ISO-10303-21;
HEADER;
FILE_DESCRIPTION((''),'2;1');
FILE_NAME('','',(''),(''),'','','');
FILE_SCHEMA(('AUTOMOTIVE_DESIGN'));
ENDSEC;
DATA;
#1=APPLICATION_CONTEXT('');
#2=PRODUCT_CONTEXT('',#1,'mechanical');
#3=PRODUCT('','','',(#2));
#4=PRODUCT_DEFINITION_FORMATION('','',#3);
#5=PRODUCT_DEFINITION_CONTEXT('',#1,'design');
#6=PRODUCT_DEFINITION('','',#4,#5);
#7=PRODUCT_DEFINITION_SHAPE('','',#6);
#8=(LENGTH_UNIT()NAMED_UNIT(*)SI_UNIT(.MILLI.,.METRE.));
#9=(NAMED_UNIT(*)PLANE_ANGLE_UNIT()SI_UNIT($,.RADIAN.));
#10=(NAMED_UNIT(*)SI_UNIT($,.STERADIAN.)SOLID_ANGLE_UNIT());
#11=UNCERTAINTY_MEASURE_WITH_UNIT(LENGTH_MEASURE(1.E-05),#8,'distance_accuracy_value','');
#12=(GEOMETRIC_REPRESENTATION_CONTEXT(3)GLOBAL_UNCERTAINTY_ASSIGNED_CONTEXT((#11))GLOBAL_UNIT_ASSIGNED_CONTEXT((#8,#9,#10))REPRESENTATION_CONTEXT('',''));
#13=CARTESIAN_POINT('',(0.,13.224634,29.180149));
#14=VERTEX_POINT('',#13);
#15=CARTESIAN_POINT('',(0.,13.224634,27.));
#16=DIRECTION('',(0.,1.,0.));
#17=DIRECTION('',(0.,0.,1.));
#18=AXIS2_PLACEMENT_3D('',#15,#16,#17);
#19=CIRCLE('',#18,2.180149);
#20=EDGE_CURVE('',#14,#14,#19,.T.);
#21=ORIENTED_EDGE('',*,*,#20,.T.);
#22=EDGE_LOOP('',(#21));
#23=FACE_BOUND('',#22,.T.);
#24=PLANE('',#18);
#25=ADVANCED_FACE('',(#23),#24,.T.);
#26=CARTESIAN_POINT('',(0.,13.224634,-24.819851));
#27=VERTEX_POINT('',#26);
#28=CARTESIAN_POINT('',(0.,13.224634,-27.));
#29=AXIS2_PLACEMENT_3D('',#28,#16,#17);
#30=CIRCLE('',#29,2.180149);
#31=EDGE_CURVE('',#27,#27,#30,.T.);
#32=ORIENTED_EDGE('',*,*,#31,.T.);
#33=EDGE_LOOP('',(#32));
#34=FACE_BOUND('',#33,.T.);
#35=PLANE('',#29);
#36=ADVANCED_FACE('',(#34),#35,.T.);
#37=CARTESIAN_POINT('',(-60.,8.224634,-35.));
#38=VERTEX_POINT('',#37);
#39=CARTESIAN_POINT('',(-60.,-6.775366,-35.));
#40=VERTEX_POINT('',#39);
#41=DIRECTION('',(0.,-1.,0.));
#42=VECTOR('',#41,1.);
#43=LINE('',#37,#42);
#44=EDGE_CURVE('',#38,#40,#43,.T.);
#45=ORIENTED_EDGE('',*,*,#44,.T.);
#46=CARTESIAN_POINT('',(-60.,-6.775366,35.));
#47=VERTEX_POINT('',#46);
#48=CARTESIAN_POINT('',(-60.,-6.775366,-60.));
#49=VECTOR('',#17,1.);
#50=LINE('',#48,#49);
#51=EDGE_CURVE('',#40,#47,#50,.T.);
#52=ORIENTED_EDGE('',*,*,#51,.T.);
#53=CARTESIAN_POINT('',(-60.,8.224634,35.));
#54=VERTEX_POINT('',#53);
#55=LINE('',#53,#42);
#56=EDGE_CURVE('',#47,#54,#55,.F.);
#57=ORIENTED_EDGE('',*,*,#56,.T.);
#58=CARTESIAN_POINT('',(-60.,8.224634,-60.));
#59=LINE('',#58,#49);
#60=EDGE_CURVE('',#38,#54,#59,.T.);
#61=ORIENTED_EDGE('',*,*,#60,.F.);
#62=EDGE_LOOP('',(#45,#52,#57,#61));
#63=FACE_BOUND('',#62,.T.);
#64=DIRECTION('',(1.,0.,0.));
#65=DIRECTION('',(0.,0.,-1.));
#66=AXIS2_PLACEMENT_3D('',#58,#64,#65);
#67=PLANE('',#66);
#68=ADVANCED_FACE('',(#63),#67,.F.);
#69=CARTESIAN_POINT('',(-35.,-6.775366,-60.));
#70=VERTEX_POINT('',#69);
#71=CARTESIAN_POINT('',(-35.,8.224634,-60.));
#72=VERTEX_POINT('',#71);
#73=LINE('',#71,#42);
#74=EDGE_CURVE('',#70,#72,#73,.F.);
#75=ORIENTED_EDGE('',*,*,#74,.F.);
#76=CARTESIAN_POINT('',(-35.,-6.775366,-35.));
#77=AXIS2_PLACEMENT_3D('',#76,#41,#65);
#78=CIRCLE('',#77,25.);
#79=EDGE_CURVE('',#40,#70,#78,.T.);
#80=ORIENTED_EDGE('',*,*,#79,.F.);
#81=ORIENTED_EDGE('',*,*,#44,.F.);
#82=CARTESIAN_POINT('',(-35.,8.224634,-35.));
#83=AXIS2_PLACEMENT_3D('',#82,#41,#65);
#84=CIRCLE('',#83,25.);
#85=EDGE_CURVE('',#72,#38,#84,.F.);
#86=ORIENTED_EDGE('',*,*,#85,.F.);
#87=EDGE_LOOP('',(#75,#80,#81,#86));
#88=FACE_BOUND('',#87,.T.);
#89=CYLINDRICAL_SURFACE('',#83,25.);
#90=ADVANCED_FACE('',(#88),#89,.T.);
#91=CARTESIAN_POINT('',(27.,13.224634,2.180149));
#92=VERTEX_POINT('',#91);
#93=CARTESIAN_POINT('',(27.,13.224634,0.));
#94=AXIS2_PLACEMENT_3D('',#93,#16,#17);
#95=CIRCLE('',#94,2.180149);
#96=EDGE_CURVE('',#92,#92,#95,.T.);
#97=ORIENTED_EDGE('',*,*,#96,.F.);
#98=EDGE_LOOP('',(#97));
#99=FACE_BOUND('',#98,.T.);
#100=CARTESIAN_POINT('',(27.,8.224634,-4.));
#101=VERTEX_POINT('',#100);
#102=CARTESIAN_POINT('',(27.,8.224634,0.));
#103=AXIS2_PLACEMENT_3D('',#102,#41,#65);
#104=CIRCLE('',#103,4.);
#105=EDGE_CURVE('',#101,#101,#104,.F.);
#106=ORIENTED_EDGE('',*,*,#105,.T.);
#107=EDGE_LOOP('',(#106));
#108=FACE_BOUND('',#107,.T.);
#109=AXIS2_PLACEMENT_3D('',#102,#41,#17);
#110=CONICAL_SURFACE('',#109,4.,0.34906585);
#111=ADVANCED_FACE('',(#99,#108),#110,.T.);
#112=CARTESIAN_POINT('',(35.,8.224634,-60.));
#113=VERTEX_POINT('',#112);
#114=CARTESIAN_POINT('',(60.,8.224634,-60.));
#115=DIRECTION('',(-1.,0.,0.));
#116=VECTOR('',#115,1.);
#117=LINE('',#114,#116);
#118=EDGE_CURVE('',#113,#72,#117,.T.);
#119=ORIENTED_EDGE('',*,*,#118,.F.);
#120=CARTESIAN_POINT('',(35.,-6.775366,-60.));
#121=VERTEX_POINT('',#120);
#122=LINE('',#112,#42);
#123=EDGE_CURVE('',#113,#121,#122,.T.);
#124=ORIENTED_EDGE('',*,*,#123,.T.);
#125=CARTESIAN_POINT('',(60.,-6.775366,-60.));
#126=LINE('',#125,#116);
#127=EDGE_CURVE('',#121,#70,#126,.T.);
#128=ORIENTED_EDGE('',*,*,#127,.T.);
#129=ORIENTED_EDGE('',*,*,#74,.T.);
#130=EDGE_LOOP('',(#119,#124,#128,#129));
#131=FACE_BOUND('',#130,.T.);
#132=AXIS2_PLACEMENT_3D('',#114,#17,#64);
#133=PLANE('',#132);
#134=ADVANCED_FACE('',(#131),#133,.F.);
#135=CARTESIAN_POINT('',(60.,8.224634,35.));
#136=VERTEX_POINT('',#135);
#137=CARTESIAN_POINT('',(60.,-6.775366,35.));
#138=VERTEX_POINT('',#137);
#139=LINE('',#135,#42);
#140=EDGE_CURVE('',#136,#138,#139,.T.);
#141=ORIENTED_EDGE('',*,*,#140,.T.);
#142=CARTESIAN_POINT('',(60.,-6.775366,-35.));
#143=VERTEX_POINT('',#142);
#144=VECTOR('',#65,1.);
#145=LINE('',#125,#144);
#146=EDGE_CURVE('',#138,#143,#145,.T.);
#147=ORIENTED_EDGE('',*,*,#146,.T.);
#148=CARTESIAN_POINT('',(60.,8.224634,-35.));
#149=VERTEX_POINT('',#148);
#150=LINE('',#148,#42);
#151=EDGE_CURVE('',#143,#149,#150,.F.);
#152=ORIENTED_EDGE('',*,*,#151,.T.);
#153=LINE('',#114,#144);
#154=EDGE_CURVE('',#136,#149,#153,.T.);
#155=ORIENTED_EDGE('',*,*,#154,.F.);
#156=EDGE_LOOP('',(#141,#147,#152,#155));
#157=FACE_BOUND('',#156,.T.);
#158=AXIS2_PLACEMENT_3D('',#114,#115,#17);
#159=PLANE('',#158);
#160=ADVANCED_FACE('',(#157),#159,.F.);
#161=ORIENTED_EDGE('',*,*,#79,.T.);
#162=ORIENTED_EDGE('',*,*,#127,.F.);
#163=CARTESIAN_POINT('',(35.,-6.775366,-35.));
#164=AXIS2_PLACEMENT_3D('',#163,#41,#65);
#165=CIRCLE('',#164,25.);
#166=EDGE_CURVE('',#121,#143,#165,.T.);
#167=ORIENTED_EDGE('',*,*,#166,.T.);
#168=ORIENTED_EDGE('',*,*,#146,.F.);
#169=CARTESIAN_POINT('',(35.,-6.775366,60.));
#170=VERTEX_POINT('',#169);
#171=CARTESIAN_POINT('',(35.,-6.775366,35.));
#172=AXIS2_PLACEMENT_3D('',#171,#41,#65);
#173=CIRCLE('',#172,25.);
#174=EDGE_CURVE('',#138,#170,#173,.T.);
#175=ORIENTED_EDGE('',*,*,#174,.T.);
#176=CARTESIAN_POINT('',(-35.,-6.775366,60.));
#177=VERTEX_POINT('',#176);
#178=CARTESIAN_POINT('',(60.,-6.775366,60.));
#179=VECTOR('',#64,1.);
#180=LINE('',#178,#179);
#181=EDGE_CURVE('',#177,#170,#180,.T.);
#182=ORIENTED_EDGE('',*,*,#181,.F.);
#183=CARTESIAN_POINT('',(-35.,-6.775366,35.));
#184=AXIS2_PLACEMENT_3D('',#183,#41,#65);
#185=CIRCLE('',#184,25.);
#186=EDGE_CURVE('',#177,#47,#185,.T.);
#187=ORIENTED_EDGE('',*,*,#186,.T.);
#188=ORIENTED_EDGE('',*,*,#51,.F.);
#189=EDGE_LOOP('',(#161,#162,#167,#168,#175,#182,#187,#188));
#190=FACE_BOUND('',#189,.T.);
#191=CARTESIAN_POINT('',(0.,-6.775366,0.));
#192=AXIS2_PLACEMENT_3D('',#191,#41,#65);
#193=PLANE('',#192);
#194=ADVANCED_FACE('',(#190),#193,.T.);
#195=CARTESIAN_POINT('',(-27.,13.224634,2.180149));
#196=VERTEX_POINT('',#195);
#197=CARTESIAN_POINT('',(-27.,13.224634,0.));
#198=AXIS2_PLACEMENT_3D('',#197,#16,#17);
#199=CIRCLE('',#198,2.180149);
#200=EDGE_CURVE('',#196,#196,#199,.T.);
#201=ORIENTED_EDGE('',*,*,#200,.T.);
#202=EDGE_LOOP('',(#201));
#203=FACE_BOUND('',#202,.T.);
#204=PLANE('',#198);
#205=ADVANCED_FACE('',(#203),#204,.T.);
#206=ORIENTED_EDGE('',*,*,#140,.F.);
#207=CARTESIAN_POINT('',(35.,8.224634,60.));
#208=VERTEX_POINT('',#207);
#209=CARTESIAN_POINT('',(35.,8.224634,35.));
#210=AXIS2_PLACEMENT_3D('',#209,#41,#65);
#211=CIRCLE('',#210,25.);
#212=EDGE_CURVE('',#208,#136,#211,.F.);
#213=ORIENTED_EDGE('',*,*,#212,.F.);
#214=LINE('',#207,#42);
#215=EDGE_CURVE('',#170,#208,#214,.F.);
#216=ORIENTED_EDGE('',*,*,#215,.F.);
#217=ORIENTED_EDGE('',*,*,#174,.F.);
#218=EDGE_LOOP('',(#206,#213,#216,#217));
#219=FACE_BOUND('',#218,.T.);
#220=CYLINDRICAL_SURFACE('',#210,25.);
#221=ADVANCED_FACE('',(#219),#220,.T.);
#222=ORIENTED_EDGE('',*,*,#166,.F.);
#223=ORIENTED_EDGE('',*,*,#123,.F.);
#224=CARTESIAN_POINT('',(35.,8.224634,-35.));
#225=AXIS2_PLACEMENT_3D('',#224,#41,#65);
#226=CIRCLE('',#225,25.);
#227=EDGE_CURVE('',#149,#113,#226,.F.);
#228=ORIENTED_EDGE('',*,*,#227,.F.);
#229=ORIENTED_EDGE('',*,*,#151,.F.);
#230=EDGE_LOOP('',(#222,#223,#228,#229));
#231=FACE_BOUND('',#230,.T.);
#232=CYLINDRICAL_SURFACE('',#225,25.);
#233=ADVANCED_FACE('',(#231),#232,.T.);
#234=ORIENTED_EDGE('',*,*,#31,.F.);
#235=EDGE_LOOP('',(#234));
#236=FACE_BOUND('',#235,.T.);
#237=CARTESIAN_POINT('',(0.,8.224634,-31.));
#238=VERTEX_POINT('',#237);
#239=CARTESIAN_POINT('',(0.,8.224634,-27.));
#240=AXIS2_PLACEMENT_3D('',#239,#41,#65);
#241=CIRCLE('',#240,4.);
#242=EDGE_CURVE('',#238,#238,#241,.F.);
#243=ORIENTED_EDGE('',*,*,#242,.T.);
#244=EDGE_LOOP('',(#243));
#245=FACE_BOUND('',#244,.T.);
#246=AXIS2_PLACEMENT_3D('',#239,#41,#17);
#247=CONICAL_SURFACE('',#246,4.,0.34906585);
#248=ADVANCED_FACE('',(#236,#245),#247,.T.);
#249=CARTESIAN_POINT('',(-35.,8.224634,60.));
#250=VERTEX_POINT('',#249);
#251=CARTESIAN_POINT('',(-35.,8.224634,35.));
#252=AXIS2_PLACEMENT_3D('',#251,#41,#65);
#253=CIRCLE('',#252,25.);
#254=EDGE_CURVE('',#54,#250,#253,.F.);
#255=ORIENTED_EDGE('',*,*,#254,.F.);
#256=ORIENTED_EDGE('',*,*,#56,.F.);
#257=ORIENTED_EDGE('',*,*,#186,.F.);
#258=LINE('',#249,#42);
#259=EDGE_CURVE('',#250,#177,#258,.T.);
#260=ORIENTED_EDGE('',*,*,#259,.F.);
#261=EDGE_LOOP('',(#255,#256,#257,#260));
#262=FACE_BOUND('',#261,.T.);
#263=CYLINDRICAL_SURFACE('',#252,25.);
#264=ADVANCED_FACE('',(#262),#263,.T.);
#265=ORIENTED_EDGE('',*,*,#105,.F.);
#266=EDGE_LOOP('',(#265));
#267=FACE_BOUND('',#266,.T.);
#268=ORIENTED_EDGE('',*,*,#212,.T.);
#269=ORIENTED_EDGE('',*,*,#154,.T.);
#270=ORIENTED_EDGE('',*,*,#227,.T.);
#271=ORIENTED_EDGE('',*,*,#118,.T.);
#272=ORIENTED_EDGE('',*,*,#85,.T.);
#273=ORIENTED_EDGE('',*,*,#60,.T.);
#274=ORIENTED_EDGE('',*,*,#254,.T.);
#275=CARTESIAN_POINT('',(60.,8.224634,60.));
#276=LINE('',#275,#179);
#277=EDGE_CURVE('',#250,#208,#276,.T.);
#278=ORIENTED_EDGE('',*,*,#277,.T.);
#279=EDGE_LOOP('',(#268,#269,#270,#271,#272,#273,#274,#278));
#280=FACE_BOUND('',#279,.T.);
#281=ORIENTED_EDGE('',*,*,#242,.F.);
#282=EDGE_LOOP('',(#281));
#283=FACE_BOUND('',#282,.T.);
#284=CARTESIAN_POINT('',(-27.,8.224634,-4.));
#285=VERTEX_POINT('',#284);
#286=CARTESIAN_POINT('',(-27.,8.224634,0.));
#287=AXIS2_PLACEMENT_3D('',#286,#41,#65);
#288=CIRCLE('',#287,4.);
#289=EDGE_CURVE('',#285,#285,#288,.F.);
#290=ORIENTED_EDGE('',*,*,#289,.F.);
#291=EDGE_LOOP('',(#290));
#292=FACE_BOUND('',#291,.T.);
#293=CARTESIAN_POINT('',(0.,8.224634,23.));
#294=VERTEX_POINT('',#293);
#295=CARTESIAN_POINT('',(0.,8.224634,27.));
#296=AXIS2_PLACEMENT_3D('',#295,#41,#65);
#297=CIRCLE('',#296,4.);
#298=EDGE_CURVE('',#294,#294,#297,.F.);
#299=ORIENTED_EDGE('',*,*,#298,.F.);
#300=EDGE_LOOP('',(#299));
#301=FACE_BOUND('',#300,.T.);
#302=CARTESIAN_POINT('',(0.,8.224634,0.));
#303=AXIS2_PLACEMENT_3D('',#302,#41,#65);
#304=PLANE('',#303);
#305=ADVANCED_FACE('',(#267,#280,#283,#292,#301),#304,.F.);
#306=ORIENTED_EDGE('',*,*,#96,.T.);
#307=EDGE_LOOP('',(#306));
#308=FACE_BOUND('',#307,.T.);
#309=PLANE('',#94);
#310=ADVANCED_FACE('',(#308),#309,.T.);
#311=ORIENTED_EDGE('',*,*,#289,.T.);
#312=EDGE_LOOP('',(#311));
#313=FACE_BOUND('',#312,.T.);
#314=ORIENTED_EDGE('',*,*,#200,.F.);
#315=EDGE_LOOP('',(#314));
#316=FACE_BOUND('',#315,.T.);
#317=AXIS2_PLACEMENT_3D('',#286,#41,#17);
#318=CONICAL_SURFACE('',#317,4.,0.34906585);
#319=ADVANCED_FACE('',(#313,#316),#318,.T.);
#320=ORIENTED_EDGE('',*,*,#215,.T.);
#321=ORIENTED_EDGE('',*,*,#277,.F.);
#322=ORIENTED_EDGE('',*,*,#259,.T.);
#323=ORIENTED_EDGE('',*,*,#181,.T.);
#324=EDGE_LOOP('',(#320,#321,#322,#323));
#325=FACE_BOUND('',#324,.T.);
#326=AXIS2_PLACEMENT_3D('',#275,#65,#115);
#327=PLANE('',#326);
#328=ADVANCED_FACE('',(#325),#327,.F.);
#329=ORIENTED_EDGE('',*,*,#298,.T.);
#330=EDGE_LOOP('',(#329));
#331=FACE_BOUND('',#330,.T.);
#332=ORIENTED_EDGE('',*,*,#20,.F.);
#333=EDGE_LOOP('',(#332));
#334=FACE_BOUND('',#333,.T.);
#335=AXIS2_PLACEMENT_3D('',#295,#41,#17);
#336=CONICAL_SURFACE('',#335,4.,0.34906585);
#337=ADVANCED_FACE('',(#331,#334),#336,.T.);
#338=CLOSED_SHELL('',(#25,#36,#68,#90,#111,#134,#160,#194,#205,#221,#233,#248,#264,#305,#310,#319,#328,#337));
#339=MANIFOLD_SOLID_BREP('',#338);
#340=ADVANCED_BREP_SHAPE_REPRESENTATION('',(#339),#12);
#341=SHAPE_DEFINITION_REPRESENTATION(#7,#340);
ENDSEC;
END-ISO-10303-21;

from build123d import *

# Parameters (mm, degrees)
CROQUIS2_W                        = 12
CROQUIS2_H                        = 12
PLATAFORMA_DEPTH                  = 1.5
REDONDEO3_R                       = 2.5
CROQUIS16_R                       = 0.4
SALIENTE_EXTRUIR7_DEPTH           = 0.5
SALIENTE_EXTRUIR7_DRAFT           = 20
SALIENTE_EXTRUIR7_PROFILE_2_DEPTH = 0.5
SALIENTE_EXTRUIR7_PROFILE_2_DRAFT = 20
SALIENTE_EXTRUIR7_PROFILE_3_DEPTH = 0.5
SALIENTE_EXTRUIR7_PROFILE_3_DRAFT = 20
SALIENTE_EXTRUIR7_PROFILE_4_DEPTH = 0.5
SALIENTE_EXTRUIR7_PROFILE_4_DRAFT = 20
ESCALA1_SCALE                     = 10


with BuildPart() as part:
    # Croquis2 → Plataforma (new body)
    with BuildSketch(Plane(origin=(0, 0, 0), x_dir=(1, 0, 0), z_dir=(0, 1, 0))):
        Rectangle(CROQUIS2_W, CROQUIS2_H)
    extrude(amount=PLATAFORMA_DEPTH)

    # Redondeo3
    redondeo3_edges = [part.edges().sort_by_distance(p)[0] for p in [
        (-6, 0.75, -6),
        (6, 0.75, -6),
        (6, 0.75, 6),
        (-6, 0.75, 6),
    ]]
    fillet(redondeo3_edges, radius=REDONDEO3_R)


with BuildPart() as saliente_extruir7_tool:
    # Croquis16 → Saliente-Extruir7 (with draft: the straight prism first)
    with BuildSketch(Plane(origin=(0, 1.5, 0), x_dir=(1, 0, 0), z_dir=(0, 1, 0))):
        with Locations((-2.7, 0)):
            Circle(CROQUIS16_R)
    extrude(amount=SALIENTE_EXTRUIR7_DEPTH)
    # Saliente-Extruir7: the draft: its side faces are tilted about the plane it starts from
    saliente_extruir7_sides = [saliente_extruir7_tool.faces().sort_by_distance(p)[0] for p in [
        (-3.1, 1.75, 0),
    ]]
    draft(saliente_extruir7_sides, Plane(origin=(0, 1.5, 0), x_dir=(1, 0, 0), z_dir=(0, 1, 0)), SALIENTE_EXTRUIR7_DRAFT)


with BuildPart() as part_1:
    add(part.part)

    # Saliente-Extruir7: add saliente_extruir7_tool
    add(saliente_extruir7_tool.part)


with BuildPart() as saliente_extruir7_profile_2_tool:
    # Croquis16 → Saliente-Extruir7 profile 2 (with draft: the straight prism first)
    with BuildSketch(Plane(origin=(0, 1.5, 0), x_dir=(1, 0, 0), z_dir=(0, 1, 0))):
        with Locations((0, -2.7)):
            Circle(CROQUIS16_R)
    extrude(amount=SALIENTE_EXTRUIR7_PROFILE_2_DEPTH)
    # Saliente-Extruir7 profile 2: the draft: its side faces are tilted about the plane it starts from
    saliente_extruir7_profile_2_sides = [saliente_extruir7_profile_2_tool.faces().sort_by_distance(p)[0] for p in [
        (-0.4, 1.75, 2.7),
    ]]
    draft(saliente_extruir7_profile_2_sides, Plane(origin=(0, 1.5, 0), x_dir=(1, 0, 0), z_dir=(0, 1, 0)), SALIENTE_EXTRUIR7_PROFILE_2_DRAFT)


with BuildPart() as part_2:
    add(part_1.part)

    # Saliente-Extruir7 profile 2: add saliente_extruir7_profile_2_tool
    add(saliente_extruir7_profile_2_tool.part)


with BuildPart() as saliente_extruir7_profile_3_tool:
    # Croquis16 → Saliente-Extruir7 profile 3 (with draft: the straight prism first)
    with BuildSketch(Plane(origin=(0, 1.5, 0), x_dir=(1, 0, 0), z_dir=(0, 1, 0))):
        with Locations((2.7, 0)):
            Circle(CROQUIS16_R)
    extrude(amount=SALIENTE_EXTRUIR7_PROFILE_3_DEPTH)
    # Saliente-Extruir7 profile 3: the draft: its side faces are tilted about the plane it starts from
    saliente_extruir7_profile_3_sides = [saliente_extruir7_profile_3_tool.faces().sort_by_distance(p)[0] for p in [
        (2.3, 1.75, 0),
    ]]
    draft(saliente_extruir7_profile_3_sides, Plane(origin=(0, 1.5, 0), x_dir=(1, 0, 0), z_dir=(0, 1, 0)), SALIENTE_EXTRUIR7_PROFILE_3_DRAFT)


with BuildPart() as part_3:
    add(part_2.part)

    # Saliente-Extruir7 profile 3: add saliente_extruir7_profile_3_tool
    add(saliente_extruir7_profile_3_tool.part)


with BuildPart() as saliente_extruir7_profile_4_tool:
    # Croquis16 → Saliente-Extruir7 profile 4 (with draft: the straight prism first)
    with BuildSketch(Plane(origin=(0, 1.5, 0), x_dir=(1, 0, 0), z_dir=(0, 1, 0))):
        with Locations((0, 2.7)):
            Circle(CROQUIS16_R)
    extrude(amount=SALIENTE_EXTRUIR7_PROFILE_4_DEPTH)
    # Saliente-Extruir7 profile 4: the draft: its side faces are tilted about the plane it starts from
    saliente_extruir7_profile_4_sides = [saliente_extruir7_profile_4_tool.faces().sort_by_distance(p)[0] for p in [
        (-0.4, 1.75, -2.7),
    ]]
    draft(saliente_extruir7_profile_4_sides, Plane(origin=(0, 1.5, 0), x_dir=(1, 0, 0), z_dir=(0, 1, 0)), SALIENTE_EXTRUIR7_PROFILE_4_DRAFT)


with BuildPart() as part_4:
    add(part_3.part)

    # Saliente-Extruir7 profile 4: add saliente_extruir7_profile_4_tool
    add(saliente_extruir7_profile_4_tool.part)


with BuildPart() as part_5:
    # Escala1: scaled about (0, 0.752818482, 0)
    add(part_4.part.scale(ESCALA1_SCALE).moved(Location((0, -6.775366338, 0))))


solid = part_5.part
